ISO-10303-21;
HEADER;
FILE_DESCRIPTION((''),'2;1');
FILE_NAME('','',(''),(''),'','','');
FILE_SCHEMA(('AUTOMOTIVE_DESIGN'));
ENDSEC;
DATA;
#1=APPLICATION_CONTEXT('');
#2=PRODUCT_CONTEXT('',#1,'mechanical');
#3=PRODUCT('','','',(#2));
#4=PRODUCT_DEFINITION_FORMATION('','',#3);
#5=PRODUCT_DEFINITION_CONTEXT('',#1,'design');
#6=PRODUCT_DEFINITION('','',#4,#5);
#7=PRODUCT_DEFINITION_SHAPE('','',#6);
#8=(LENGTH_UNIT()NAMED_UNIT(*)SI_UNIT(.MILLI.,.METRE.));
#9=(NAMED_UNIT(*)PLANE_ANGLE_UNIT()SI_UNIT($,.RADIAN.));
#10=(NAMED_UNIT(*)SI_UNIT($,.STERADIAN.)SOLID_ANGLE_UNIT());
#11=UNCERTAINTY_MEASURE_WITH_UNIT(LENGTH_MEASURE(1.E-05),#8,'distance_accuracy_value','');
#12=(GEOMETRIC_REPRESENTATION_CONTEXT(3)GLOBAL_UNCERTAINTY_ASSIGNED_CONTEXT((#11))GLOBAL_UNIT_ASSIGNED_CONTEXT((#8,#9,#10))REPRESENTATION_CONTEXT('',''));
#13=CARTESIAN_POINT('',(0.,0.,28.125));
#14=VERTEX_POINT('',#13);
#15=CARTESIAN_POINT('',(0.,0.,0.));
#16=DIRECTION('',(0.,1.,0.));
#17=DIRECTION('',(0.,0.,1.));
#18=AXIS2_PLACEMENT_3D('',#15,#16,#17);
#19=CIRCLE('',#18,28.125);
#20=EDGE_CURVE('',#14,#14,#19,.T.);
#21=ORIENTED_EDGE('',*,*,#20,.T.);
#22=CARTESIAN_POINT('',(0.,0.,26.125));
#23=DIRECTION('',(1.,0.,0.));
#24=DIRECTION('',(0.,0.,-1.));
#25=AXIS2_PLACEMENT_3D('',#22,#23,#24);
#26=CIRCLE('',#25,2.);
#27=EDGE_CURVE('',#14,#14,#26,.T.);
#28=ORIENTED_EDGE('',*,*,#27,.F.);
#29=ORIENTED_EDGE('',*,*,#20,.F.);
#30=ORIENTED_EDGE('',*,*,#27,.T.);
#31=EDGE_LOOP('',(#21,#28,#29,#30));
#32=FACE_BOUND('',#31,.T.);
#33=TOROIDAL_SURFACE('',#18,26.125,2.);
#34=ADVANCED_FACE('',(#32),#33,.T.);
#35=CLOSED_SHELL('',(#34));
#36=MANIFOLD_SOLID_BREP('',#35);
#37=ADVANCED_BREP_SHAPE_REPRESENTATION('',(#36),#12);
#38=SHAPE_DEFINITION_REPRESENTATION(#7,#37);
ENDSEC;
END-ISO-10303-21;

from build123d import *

# Parameters (mm, degrees)
SWEEP1_PROFILE_R = 2


with BuildPart() as part:
    # Sweep1: sweep along a path in Sketch1
    with BuildLine(Plane(origin=(0, 0, 0), x_dir=(1, 0, 0), z_dir=(0, 1, 0))) as sweep1_path:
        CenterArc((0, 0), 26.125, 0, 360)
    # Sweep1 profile (on start of the path) → Sweep1 (sweep)
    with BuildSketch(Plane(origin=(26.125, 0, 0), x_dir=(-1, 0, 0), z_dir=(0, 0, -1))):
        Circle(SWEEP1_PROFILE_R)
    sweep(path=sweep1_path.line)


solid = part.part
